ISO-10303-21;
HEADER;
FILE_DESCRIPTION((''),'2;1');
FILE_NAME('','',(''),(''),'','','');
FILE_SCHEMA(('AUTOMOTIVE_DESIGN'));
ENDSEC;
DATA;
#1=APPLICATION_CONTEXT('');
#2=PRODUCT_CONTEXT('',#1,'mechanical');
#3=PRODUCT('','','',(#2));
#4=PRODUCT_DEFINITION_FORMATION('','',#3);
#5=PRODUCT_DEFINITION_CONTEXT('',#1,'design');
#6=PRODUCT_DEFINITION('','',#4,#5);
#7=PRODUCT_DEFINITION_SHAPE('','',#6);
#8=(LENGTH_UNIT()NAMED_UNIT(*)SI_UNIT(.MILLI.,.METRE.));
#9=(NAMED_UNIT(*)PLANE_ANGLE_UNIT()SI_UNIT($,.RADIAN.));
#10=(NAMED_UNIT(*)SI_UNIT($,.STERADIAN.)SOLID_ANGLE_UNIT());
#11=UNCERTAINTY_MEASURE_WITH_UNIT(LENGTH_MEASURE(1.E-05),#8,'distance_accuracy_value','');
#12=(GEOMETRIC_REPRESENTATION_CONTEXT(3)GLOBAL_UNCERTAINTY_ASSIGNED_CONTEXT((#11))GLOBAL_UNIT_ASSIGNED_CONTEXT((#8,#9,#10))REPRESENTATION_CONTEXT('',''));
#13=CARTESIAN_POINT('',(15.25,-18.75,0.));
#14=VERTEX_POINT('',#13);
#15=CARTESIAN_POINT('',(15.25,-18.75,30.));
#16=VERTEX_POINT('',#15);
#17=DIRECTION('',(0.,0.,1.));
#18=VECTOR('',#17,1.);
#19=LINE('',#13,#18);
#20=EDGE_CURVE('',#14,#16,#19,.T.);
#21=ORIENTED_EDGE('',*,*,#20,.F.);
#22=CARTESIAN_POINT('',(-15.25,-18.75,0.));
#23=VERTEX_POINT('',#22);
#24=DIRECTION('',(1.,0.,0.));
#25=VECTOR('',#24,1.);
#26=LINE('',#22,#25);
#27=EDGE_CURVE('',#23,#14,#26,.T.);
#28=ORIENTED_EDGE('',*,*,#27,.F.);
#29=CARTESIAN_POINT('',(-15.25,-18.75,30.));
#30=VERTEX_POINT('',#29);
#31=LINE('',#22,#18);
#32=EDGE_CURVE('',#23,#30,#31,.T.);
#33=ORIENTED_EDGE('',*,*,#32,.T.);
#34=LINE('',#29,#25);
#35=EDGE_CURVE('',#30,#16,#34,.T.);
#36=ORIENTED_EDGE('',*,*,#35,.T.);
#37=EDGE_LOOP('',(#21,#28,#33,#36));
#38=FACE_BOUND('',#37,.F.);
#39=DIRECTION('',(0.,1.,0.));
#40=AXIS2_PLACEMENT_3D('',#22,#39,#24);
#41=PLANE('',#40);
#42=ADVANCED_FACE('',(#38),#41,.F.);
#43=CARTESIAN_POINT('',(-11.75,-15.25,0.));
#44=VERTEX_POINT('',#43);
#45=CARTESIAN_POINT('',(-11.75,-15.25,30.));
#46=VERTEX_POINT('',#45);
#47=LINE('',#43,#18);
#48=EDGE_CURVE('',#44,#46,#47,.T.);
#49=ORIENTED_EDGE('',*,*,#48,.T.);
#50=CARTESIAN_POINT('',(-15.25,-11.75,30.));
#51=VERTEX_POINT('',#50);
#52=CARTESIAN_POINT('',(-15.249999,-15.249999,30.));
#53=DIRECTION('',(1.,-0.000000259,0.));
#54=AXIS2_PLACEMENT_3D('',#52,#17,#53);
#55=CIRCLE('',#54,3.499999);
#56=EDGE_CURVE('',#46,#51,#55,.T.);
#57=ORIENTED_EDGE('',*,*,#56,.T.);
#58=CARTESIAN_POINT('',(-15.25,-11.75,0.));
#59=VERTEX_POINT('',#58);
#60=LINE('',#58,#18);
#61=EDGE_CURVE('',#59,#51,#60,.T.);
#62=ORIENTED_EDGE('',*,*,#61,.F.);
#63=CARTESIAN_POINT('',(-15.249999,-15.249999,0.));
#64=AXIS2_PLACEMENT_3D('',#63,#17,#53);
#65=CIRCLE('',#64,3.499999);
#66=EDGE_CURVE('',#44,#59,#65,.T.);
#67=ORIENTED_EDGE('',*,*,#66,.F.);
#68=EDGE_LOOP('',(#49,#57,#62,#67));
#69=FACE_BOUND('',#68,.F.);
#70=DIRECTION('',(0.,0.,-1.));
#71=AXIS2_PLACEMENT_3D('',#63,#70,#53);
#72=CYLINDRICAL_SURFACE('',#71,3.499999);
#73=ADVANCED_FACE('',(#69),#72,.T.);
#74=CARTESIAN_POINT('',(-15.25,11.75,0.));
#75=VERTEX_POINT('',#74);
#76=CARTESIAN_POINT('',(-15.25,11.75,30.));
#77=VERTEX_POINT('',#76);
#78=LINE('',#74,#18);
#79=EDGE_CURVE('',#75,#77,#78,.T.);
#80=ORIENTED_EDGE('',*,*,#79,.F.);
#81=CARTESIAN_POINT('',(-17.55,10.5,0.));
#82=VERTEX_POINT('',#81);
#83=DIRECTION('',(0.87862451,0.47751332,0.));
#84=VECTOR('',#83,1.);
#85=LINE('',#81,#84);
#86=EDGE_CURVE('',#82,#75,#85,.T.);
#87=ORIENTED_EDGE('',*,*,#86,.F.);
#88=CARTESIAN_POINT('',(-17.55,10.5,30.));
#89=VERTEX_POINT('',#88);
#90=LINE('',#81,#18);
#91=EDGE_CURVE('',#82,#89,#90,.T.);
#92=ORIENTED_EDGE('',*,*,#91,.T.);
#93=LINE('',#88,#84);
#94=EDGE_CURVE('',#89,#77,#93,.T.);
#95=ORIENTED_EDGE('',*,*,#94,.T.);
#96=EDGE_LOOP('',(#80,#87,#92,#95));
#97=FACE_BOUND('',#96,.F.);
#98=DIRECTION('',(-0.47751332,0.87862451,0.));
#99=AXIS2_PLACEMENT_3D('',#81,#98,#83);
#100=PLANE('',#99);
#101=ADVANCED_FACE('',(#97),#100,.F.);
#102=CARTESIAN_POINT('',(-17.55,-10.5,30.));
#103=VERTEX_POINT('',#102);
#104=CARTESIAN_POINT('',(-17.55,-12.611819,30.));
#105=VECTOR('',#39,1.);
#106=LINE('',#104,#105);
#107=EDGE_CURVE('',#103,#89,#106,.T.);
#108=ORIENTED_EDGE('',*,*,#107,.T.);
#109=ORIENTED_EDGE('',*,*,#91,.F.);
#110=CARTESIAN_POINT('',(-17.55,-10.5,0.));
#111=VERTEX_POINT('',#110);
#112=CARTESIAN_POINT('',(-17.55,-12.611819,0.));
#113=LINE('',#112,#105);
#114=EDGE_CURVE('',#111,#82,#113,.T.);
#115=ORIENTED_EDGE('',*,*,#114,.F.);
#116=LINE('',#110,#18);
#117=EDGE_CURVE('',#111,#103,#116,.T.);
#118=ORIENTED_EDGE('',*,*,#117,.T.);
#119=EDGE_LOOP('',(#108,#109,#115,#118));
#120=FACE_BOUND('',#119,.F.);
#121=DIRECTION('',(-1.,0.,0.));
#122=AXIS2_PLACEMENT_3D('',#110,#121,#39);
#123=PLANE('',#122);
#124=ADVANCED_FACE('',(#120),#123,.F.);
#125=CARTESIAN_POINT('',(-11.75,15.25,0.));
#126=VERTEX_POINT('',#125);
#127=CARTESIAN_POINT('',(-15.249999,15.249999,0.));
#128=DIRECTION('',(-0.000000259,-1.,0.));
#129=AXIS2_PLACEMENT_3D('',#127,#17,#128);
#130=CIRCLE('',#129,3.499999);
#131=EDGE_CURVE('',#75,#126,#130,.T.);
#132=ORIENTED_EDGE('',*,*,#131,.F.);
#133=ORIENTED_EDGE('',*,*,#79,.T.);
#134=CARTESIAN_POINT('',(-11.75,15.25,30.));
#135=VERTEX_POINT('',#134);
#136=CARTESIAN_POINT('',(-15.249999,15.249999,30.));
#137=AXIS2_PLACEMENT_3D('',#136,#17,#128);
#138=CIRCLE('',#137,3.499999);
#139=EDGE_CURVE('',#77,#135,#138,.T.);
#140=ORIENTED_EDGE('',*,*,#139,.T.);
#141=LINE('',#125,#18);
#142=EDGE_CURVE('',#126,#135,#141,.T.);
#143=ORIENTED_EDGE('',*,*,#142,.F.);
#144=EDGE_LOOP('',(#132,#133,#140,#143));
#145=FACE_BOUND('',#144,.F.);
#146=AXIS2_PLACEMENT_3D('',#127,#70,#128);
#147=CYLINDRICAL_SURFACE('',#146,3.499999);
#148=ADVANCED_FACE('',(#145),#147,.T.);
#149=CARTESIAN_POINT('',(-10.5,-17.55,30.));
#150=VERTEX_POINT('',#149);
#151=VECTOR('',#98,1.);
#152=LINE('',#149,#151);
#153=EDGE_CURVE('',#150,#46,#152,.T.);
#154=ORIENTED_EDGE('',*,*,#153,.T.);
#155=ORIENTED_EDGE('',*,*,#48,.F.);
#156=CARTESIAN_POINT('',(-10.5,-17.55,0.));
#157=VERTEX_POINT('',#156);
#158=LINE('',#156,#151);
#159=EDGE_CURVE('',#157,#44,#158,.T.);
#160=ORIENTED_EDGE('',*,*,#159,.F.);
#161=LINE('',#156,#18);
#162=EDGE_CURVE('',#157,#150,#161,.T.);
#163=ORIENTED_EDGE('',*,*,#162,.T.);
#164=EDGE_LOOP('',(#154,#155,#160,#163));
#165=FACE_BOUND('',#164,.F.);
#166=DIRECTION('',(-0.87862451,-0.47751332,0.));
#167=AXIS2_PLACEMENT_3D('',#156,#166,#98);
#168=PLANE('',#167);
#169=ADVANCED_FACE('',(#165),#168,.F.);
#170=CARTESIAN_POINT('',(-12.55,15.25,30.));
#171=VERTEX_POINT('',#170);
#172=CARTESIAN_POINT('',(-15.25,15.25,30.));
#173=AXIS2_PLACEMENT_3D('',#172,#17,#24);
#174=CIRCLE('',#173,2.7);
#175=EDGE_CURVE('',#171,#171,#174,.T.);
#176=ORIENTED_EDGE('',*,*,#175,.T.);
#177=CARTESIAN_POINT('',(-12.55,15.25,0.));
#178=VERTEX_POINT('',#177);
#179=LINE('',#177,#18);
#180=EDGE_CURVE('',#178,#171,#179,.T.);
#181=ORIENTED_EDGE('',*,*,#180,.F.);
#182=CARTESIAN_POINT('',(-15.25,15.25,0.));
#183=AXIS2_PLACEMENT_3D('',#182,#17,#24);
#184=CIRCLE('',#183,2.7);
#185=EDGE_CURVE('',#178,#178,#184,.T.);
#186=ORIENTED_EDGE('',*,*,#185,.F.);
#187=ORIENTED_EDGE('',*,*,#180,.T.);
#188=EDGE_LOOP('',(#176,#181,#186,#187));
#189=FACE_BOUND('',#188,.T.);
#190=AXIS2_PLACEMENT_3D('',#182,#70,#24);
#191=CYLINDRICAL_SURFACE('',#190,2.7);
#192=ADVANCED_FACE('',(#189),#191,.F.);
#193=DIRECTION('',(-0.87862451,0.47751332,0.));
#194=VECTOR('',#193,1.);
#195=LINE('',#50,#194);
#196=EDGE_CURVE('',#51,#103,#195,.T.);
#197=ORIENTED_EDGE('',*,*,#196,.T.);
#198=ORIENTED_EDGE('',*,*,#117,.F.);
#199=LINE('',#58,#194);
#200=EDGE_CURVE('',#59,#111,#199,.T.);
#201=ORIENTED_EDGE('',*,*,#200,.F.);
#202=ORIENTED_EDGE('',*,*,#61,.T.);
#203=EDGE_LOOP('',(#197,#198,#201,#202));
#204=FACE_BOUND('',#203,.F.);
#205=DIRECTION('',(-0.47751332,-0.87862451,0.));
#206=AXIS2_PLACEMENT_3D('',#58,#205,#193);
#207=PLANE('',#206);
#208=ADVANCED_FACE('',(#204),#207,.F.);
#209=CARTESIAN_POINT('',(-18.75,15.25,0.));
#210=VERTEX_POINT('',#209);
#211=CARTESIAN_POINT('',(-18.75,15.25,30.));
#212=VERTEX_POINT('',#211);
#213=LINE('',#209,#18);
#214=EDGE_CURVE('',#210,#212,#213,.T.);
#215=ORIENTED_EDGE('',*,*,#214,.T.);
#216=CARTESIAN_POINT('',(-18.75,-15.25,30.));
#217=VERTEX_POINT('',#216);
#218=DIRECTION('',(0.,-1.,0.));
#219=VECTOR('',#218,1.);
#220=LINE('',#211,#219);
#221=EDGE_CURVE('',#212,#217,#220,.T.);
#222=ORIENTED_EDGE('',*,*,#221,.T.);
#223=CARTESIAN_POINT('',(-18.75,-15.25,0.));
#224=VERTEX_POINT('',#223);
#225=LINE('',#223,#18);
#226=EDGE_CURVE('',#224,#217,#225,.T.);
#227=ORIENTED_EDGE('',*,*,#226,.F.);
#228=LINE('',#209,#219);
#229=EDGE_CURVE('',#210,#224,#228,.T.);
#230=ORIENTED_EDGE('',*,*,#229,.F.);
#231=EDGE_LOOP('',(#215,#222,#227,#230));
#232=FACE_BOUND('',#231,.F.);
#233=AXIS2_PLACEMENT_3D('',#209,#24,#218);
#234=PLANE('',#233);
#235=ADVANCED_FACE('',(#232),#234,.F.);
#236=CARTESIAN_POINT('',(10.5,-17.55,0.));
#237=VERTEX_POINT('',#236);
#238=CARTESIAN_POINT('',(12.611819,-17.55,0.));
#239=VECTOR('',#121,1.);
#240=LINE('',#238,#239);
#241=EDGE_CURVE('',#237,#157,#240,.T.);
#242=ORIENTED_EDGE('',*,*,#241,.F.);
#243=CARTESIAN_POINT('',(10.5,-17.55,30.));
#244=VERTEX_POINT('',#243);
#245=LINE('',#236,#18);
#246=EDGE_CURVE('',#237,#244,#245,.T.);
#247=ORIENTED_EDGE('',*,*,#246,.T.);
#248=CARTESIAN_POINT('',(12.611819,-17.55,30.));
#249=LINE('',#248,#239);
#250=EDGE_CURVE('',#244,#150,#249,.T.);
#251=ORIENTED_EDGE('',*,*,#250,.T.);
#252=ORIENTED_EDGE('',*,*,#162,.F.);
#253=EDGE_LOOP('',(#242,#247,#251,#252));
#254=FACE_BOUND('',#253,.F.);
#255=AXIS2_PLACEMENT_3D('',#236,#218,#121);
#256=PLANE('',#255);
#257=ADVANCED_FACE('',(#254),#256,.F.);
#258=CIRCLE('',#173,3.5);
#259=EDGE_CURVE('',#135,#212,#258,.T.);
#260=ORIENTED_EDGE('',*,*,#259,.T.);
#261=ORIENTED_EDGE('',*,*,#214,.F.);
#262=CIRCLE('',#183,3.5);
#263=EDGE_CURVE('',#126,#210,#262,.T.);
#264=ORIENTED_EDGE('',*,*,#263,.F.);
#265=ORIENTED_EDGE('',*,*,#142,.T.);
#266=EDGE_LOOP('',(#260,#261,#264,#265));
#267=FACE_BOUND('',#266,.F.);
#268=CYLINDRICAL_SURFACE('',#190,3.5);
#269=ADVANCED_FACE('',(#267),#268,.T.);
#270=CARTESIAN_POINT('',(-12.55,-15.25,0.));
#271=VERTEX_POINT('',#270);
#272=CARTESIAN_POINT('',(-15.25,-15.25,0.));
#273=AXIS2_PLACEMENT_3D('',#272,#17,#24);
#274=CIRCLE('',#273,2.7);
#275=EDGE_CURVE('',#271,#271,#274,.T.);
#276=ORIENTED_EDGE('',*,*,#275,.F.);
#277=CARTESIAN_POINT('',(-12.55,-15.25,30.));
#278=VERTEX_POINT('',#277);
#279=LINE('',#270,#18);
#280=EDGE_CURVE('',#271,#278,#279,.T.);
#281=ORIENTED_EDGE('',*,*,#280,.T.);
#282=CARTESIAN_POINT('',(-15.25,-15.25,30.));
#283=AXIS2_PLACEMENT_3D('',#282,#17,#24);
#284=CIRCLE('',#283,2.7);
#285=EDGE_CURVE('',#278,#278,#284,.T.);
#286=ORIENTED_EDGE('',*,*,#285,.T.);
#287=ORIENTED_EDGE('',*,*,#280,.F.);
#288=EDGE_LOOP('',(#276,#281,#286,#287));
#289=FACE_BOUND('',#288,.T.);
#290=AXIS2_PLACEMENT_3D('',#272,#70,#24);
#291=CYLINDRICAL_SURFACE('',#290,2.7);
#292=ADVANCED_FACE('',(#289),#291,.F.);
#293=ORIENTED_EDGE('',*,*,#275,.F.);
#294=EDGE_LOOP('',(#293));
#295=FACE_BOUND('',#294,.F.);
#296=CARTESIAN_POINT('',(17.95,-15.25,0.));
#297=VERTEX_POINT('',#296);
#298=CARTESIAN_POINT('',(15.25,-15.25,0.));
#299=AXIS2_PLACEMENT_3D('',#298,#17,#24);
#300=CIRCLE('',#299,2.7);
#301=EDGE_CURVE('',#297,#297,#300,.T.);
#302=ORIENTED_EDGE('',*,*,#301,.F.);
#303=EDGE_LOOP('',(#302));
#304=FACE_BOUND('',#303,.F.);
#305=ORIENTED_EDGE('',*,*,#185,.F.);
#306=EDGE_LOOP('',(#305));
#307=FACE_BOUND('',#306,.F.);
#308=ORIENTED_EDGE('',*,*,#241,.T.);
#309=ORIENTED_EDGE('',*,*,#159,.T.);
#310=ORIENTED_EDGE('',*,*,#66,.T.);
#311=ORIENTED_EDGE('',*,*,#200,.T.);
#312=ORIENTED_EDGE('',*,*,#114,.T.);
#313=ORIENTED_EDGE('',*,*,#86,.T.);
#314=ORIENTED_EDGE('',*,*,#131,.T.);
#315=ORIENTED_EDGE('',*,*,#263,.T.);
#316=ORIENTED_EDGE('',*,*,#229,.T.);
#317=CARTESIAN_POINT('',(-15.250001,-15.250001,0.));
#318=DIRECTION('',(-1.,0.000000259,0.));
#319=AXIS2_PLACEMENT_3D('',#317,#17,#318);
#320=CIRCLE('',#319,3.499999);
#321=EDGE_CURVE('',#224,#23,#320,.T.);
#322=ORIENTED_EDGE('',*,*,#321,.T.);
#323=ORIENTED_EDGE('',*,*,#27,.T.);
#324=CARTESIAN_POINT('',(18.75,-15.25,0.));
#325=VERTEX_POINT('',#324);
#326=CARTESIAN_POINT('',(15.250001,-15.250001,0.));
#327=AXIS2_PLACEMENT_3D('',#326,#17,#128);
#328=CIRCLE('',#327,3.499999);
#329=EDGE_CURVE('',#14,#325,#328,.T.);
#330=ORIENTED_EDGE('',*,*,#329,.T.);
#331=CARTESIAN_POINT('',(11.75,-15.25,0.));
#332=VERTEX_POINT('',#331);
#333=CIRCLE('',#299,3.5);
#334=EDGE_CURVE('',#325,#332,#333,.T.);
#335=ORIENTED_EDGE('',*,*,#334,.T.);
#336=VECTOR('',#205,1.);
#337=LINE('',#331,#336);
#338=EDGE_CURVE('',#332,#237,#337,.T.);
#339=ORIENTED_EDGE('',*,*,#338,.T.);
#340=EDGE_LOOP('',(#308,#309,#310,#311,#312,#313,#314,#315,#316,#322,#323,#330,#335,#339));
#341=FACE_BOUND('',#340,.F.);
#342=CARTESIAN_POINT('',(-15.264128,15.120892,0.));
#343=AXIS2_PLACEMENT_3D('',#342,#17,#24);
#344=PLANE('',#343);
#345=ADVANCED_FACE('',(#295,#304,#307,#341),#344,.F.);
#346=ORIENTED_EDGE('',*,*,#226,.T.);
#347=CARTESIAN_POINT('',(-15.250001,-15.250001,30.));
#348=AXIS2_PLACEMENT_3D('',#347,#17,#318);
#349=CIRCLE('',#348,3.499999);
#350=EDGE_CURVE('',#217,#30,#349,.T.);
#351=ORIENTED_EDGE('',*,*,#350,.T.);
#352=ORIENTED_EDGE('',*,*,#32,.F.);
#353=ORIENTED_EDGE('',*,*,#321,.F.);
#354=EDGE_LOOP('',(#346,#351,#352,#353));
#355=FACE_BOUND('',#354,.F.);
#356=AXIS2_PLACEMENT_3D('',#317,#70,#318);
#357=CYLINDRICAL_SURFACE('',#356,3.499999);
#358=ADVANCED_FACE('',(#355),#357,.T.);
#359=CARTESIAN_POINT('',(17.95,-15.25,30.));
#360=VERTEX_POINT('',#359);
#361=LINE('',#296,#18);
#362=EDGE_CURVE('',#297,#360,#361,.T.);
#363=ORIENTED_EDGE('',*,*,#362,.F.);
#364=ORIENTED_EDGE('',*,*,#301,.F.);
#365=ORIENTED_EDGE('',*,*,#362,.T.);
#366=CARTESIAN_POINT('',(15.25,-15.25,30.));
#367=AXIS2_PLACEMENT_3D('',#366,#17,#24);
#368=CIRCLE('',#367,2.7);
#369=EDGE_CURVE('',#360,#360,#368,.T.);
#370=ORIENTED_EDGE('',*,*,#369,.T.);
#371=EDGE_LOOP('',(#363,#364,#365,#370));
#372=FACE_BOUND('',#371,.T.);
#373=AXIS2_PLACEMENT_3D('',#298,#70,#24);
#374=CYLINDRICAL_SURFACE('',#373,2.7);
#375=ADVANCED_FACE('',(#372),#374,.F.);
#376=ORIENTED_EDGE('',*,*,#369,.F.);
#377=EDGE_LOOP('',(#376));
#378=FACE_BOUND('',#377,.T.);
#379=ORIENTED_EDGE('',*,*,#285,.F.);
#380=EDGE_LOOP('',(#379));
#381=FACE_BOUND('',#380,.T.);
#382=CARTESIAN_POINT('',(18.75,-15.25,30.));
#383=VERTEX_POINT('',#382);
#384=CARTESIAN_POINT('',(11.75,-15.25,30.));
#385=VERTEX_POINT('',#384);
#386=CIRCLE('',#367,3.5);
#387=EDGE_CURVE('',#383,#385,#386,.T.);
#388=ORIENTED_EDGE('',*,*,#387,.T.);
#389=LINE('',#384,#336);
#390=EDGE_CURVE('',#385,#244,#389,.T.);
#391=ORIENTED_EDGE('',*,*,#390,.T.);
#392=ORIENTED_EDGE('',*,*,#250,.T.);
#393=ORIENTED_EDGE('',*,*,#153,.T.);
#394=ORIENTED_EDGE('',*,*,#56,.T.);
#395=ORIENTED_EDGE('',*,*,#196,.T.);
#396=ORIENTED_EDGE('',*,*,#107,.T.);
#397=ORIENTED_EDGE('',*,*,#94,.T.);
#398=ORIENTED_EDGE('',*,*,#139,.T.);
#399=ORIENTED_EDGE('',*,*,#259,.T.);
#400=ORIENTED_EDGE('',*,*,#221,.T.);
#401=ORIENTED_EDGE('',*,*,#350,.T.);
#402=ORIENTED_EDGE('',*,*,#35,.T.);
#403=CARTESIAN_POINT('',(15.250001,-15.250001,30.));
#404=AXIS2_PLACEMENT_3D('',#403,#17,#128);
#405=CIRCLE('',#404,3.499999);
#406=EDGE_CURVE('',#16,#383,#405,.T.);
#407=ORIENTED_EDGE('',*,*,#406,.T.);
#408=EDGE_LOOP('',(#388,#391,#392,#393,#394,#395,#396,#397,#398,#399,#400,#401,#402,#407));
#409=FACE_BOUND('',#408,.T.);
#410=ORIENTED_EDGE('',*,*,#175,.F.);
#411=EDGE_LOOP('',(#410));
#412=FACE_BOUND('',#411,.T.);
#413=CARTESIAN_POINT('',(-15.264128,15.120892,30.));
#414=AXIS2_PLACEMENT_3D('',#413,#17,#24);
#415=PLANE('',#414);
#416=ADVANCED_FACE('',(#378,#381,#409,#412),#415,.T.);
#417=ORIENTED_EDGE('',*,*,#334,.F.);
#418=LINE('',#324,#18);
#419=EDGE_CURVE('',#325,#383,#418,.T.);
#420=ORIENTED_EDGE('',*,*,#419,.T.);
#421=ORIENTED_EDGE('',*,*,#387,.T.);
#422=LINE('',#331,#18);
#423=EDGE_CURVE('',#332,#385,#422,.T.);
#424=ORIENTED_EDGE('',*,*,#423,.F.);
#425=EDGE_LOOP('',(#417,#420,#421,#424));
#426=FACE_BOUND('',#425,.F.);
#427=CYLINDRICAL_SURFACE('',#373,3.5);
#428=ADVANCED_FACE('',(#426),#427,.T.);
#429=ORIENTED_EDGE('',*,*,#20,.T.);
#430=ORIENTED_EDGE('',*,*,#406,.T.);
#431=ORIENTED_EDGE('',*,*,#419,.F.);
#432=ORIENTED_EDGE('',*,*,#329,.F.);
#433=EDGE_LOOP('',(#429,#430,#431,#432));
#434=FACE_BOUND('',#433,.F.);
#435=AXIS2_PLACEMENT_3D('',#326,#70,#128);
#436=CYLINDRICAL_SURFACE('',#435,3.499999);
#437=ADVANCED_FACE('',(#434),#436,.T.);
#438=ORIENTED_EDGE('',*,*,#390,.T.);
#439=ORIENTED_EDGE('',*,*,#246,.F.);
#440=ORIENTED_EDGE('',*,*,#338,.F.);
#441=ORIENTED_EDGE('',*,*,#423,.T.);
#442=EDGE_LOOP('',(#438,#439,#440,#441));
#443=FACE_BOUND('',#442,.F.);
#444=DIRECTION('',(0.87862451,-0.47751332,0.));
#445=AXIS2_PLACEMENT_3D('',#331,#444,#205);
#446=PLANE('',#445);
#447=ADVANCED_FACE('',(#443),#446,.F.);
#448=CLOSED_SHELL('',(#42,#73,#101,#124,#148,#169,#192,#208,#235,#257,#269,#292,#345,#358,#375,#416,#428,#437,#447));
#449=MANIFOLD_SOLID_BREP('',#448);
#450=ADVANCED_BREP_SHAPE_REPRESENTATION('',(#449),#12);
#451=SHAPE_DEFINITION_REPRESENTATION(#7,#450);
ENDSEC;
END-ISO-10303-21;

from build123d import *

# Parameters (mm, degrees)
F0_R     = 2.7
F1_DEPTH = 30


with BuildPart() as f1:
    # F0 (on Top) → F1 (new body)
    with BuildSketch(Plane.XY):
        with BuildLine():
            ThreePointArc((-15.25, 11.75), (-12.775126, 12.775126), (-11.75, 15.25))
            ThreePointArc((-11.75, 15.25), (-15.25, 18.75), (-18.75, 15.25))
            ThreePointArc((-18.75, 15.25), (-18.435906, 13.800862), (-17.55, 12.611819))
            ThreePointArc((-17.55, 12.611819), (-16.478081, 11.972529), (-15.25, 11.75))
        make_face()
        with Locations((-15.25, 15.25)):
            Circle(F0_R, mode=Mode.SUBTRACT)
        with BuildLine():
            Line((-17.55, 10.5), (-15.25, 11.75))
            ThreePointArc((-15.25, 11.75), (-16.478081, 11.972529), (-17.55, 12.611819))
            Line((-17.55, 12.611819), (-17.55, 10.5))
        make_face()
        with BuildLine():
            ThreePointArc((-17.55, 12.611819), (-18.435906, 13.800862), (-18.75, 15.25))
            Line((-18.75, 15.25), (-18.75, -15.25))
            ThreePointArc((-18.75, -15.25), (-18.435906, -13.800862), (-17.55, -12.611819))
            Line((-17.55, -12.611819), (-17.55, -10.5))
            Line((-17.55, -10.5), (-17.55, 10.5))
            Line((-17.55, 10.5), (-17.55, 12.611819))
        make_face()
        with BuildLine():
            ThreePointArc((-17.55, -12.611819), (-18.435906, -13.800862), (-18.75, -15.25))
            ThreePointArc((-18.75, -15.25), (-17.724874, -17.724874), (-15.25, -18.75))
            ThreePointArc((-15.25, -18.75), (-13.800862, -18.435906), (-12.611819, -17.55))
            ThreePointArc((-12.611819, -17.55), (-11.972529, -16.478081), (-11.75, -15.25))
            ThreePointArc((-11.75, -15.25), (-12.775126, -12.775126), (-15.25, -11.75))
            ThreePointArc((-15.25, -11.75), (-16.478081, -11.972529), (-17.55, -12.611819))
        make_face()
        with Locations((-15.25, -15.25)):
            Circle(F0_R, mode=Mode.SUBTRACT)
        with BuildLine():
            Line((-17.55, -10.5), (-17.55, -12.611819))
            ThreePointArc((-17.55, -12.611819), (-16.478081, -11.972529), (-15.25, -11.75))
            Line((-15.25, -11.75), (-17.55, -10.5))
        make_face()
        with BuildLine():
            ThreePointArc((-11.75, -15.25), (-11.972529, -16.478081), (-12.611819, -17.55))
            Line((-12.611819, -17.55), (-10.5, -17.55))
            Line((-10.5, -17.55), (-11.75, -15.25))
        make_face()
        with BuildLine():
            ThreePointArc((-12.611819, -17.55), (-13.800862, -18.435906), (-15.25, -18.75))
            Line((-15.25, -18.75), (15.25, -18.75))
            ThreePointArc((15.25, -18.75), (13.800862, -18.435906), (12.611819, -17.55))
            Line((12.611819, -17.55), (10.5, -17.55))
            Line((10.5, -17.55), (-10.5, -17.55))
            Line((-10.5, -17.55), (-12.611819, -17.55))
        make_face()
        with BuildLine():
            Line((10.5, -17.55), (12.611819, -17.55))
            ThreePointArc((12.611819, -17.55), (11.972529, -16.478081), (11.75, -15.25))
            Line((11.75, -15.25), (10.5, -17.55))
        make_face()
        with BuildLine():
            ThreePointArc((12.611819, -17.55), (13.800862, -18.435906), (15.25, -18.75))
            ThreePointArc((15.25, -18.75), (17.724874, -17.724874), (18.75, -15.25))
            ThreePointArc((18.75, -15.25), (15.25, -11.75), (11.75, -15.25))
            ThreePointArc((11.75, -15.25), (11.972529, -16.478081), (12.611819, -17.55))
        make_face()
        with Locations((15.25, -15.25)):
            Circle(F0_R, mode=Mode.SUBTRACT)
    extrude(amount=F1_DEPTH)


solid = f1.part
